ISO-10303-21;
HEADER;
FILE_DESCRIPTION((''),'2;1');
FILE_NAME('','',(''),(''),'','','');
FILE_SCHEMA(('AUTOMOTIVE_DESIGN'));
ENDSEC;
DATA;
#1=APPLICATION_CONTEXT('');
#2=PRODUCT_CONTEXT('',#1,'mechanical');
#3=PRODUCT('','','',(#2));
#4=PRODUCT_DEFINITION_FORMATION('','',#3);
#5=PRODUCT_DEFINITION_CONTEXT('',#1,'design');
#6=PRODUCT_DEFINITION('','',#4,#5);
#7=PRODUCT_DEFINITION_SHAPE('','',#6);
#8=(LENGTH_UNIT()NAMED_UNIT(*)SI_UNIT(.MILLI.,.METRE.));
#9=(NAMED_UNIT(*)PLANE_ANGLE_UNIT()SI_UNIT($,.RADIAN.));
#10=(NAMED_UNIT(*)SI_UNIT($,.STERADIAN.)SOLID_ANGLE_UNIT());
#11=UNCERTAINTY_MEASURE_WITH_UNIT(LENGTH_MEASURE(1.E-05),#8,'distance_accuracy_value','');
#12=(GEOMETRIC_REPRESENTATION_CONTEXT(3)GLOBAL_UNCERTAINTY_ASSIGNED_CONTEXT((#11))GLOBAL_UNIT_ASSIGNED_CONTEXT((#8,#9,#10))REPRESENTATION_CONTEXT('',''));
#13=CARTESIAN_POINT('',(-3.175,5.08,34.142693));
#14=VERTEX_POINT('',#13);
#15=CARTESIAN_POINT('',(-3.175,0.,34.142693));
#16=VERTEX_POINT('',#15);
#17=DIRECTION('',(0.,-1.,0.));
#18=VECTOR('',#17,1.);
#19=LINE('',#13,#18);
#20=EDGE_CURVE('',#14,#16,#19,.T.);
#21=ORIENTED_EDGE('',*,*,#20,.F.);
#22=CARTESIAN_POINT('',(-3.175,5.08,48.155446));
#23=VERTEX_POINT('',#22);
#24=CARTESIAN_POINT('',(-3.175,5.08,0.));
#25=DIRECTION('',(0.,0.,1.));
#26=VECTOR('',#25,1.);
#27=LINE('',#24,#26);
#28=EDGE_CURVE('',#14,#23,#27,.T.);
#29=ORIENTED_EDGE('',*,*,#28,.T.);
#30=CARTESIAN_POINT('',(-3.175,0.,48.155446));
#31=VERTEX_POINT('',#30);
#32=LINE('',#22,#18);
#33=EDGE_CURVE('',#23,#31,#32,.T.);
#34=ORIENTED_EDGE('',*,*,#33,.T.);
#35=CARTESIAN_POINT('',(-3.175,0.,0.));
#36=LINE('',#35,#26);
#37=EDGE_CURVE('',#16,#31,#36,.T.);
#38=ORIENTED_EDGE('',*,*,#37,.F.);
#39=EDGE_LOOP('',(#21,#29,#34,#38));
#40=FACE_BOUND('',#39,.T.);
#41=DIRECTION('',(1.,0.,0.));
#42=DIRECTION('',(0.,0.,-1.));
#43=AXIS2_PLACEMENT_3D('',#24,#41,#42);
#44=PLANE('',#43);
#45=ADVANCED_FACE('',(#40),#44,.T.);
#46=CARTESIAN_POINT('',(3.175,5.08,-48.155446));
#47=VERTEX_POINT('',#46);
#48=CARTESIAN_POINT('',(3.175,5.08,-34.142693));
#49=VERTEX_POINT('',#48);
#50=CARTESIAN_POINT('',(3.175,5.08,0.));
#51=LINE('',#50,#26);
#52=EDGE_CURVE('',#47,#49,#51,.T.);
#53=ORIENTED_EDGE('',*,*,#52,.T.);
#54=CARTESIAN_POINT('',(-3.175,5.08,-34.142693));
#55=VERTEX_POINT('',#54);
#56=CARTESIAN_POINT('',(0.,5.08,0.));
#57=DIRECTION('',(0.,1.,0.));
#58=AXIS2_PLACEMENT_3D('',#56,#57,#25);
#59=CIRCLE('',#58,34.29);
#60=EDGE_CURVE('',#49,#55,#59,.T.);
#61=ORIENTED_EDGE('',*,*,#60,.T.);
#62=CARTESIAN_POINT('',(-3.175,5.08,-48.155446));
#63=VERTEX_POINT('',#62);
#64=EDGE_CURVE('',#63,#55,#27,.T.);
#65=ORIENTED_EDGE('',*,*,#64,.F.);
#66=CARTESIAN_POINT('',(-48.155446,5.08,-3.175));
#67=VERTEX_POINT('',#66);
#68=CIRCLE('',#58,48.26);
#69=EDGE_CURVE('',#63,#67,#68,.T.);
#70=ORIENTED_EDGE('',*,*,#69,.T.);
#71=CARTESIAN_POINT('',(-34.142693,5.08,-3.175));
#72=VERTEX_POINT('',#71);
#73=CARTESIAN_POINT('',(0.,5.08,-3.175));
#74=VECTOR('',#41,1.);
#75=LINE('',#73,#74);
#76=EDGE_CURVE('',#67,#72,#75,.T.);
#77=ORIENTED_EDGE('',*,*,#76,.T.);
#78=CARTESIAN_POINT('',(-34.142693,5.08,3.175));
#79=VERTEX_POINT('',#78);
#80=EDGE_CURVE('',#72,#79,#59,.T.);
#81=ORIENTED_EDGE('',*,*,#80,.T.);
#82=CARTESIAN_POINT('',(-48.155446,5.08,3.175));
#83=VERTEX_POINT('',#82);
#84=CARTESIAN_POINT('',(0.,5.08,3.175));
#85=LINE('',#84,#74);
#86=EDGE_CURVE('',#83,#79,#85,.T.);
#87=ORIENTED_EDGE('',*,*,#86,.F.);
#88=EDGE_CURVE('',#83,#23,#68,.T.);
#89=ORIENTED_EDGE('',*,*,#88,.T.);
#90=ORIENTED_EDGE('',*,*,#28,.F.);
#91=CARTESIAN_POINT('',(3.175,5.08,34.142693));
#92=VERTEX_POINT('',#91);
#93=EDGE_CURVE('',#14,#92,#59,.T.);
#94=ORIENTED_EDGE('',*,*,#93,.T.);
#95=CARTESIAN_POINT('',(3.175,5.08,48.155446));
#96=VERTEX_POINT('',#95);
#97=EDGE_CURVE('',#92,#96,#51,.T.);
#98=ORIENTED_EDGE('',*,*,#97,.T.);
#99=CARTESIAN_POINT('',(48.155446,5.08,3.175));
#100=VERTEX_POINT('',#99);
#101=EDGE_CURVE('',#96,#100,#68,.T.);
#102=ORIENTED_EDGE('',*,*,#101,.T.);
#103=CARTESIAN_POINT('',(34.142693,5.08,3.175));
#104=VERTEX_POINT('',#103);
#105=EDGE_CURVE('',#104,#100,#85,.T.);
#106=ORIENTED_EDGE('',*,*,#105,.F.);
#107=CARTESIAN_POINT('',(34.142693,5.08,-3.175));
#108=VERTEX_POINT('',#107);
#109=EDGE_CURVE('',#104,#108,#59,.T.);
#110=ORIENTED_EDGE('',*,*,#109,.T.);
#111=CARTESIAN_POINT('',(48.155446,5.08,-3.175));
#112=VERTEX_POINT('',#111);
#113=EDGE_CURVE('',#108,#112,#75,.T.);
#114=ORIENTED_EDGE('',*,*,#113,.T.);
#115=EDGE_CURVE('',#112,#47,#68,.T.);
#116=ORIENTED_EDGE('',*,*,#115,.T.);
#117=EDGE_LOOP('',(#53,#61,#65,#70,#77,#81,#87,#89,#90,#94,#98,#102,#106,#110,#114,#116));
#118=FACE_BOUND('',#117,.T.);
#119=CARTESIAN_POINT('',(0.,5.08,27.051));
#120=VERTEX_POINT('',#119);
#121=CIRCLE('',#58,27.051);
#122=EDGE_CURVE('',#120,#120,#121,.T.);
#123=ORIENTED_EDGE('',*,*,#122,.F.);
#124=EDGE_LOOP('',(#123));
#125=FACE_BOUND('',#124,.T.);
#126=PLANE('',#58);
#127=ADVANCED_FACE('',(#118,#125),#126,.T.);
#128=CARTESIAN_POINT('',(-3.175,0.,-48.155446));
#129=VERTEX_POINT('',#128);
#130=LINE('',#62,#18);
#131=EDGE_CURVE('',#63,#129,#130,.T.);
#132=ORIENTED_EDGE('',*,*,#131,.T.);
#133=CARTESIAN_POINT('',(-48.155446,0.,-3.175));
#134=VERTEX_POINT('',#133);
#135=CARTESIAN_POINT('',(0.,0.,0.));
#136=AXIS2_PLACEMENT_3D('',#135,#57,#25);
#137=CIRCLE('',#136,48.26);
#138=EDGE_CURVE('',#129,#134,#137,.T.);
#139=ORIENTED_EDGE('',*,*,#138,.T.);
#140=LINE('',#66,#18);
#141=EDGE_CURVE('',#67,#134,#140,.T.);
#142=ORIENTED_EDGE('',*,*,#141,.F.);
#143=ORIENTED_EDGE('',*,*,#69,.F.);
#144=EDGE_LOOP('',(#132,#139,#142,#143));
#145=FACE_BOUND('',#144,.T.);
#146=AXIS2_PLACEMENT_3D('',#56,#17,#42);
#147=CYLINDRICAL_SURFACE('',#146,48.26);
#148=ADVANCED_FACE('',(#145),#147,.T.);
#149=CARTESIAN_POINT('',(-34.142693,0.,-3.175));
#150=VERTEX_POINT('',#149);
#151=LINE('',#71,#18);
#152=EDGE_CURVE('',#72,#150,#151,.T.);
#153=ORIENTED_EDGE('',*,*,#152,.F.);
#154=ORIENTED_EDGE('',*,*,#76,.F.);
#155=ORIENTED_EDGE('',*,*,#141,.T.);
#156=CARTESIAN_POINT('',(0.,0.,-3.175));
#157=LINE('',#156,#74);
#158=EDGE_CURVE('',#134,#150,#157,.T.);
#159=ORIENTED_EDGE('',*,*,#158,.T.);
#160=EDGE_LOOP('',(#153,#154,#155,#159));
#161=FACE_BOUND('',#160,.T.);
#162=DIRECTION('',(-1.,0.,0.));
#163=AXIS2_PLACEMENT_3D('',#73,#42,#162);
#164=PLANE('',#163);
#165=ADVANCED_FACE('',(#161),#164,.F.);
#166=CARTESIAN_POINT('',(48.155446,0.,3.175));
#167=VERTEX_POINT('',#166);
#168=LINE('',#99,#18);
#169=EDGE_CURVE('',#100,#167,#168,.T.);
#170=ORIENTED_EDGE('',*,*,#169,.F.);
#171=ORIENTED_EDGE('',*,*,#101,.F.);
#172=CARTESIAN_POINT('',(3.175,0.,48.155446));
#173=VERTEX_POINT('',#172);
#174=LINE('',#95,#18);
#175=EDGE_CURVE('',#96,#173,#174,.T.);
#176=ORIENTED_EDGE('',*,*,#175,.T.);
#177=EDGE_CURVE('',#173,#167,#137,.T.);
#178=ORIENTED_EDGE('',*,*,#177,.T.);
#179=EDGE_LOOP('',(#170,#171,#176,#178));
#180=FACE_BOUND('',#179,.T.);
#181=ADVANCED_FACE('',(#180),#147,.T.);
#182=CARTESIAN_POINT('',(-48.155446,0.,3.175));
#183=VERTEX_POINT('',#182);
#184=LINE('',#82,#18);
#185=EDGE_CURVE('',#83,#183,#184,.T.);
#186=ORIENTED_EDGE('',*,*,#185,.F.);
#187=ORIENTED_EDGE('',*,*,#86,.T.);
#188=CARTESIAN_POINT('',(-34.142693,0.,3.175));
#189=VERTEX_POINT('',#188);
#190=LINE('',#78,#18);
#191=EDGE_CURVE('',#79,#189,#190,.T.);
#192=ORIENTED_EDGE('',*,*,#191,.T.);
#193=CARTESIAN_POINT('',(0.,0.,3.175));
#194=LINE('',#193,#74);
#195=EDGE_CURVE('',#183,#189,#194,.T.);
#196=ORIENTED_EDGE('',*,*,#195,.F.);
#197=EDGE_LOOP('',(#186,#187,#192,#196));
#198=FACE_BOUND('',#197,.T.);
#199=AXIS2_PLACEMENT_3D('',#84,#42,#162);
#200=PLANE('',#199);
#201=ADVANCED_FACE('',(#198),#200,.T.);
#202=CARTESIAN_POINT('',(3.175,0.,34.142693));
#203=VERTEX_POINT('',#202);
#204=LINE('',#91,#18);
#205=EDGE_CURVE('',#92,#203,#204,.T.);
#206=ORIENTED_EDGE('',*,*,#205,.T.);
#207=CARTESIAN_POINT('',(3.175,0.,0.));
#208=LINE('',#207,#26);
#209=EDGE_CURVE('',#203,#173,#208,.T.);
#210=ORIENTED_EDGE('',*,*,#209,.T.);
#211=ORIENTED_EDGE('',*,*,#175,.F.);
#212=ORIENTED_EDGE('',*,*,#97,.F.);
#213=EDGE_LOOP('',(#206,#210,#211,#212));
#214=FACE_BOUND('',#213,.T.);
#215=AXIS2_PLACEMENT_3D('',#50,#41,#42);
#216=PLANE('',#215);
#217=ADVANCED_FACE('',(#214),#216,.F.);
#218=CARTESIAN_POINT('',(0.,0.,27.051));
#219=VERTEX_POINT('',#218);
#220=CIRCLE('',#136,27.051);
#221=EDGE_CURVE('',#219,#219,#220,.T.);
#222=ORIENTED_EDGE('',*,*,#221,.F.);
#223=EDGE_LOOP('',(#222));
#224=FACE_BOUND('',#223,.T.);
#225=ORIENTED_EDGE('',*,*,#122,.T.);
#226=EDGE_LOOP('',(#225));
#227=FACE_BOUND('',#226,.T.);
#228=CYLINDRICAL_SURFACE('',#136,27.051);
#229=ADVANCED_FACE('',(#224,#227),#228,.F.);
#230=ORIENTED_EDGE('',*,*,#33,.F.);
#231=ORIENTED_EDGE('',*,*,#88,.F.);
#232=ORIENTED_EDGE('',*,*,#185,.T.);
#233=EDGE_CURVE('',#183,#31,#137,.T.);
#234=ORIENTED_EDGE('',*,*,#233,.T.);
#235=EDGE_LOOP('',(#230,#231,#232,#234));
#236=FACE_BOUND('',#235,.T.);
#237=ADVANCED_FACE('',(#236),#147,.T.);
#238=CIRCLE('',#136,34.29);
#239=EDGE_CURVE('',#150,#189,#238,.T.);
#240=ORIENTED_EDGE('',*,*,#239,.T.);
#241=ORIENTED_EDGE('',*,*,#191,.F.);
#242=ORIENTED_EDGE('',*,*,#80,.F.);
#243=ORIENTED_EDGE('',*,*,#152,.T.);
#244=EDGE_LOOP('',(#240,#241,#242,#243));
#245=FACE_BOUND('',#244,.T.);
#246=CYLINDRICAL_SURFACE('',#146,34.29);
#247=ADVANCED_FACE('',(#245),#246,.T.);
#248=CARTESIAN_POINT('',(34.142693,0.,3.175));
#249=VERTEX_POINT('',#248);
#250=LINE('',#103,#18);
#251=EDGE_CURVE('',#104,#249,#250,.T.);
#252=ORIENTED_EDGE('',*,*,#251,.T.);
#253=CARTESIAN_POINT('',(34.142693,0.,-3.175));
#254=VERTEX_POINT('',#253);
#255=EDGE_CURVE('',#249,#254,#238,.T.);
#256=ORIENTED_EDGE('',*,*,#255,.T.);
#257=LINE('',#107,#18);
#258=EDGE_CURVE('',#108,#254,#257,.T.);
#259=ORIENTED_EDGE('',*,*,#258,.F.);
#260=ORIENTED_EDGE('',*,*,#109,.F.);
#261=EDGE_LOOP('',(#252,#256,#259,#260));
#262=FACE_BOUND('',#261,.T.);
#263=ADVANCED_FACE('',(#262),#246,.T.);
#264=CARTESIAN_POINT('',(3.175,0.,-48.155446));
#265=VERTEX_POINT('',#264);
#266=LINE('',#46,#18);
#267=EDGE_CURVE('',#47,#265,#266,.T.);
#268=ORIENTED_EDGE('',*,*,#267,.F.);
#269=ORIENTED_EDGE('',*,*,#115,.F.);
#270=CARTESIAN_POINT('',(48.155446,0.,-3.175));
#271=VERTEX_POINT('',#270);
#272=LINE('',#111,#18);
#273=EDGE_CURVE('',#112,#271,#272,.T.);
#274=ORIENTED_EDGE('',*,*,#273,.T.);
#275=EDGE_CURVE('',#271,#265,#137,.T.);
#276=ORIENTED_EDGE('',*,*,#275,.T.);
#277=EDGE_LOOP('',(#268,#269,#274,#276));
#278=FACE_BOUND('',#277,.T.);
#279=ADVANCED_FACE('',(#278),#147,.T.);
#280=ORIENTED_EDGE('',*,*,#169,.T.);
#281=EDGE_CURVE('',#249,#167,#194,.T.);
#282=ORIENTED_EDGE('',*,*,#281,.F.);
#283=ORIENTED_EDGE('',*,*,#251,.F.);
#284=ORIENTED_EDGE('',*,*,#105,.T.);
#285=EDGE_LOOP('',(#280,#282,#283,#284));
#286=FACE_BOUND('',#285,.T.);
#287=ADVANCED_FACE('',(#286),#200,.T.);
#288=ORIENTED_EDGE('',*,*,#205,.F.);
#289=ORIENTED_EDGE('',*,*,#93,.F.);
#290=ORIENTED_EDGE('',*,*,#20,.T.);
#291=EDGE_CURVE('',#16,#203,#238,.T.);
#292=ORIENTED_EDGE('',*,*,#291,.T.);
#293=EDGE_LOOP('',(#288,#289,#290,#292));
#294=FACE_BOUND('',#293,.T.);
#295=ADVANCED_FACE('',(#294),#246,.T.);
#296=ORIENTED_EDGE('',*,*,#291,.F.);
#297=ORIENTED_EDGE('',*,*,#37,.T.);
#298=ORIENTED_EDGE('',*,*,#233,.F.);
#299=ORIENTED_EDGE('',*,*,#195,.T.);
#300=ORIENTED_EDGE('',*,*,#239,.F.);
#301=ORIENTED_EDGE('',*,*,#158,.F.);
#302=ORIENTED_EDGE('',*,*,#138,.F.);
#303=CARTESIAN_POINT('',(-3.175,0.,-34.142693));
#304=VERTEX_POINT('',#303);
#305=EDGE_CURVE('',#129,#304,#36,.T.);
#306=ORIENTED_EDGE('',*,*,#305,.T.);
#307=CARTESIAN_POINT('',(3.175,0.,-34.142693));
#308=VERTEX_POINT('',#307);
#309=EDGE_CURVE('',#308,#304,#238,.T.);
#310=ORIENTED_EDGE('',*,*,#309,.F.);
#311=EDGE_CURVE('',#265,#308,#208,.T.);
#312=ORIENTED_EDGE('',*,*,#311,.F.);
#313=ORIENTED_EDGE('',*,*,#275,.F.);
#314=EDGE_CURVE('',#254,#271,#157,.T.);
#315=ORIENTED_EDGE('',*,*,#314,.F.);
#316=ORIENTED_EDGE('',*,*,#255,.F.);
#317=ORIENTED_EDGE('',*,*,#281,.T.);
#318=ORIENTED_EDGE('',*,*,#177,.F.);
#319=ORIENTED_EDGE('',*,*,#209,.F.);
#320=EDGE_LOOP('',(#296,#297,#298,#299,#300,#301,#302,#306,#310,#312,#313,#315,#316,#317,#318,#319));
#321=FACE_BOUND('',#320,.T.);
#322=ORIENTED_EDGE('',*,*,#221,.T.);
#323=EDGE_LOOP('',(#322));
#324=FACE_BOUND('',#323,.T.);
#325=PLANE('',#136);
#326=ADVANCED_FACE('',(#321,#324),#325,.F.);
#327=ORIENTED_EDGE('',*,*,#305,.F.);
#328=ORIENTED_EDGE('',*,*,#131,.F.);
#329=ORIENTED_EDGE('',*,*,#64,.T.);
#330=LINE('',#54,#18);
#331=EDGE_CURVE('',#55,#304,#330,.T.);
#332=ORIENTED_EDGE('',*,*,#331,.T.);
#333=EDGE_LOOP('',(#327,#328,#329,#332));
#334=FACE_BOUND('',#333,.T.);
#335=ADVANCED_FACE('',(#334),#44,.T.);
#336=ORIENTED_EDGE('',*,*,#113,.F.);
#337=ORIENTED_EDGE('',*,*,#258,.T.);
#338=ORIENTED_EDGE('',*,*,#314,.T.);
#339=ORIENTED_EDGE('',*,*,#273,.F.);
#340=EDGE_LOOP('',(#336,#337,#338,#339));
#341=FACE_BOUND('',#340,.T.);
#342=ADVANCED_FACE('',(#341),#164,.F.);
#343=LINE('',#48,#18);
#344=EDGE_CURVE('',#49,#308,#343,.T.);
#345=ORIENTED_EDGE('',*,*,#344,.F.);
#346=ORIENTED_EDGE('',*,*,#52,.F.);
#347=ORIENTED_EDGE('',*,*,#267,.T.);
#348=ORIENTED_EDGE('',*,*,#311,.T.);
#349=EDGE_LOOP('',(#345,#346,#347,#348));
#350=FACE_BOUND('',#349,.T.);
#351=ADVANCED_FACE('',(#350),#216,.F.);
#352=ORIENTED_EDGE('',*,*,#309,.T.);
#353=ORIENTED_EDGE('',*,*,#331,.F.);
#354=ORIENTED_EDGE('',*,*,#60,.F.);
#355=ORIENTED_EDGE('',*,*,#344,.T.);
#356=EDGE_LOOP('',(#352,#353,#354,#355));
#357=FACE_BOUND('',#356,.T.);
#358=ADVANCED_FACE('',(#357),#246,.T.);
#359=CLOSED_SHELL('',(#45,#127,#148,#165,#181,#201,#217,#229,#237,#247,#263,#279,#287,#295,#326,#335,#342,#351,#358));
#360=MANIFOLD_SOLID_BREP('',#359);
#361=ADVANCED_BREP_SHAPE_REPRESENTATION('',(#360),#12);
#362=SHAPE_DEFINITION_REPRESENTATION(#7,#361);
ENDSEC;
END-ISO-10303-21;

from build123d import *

# Parameters (mm, degrees)
BOSS_EXTRUDE1_DEPTH = 5.08
SKETCH2_R           = 27.051
CUT_EXTRUDE1_DEPTH  = 69.29129044


with BuildPart() as part:
    # Sketch1 → Boss-Extrude1 (new body)
    with BuildSketch(Plane(origin=(0, 0, 0), x_dir=(1, 0, 0), z_dir=(0, 1, 0))):
        with BuildLine():
            ThreePointArc((34.142692849, -3.175), (34.29, 0), (34.142692849, 3.175))
            Line((34.142692849, 3.175), (48.155445954, 3.175))
            ThreePointArc((48.155445954, 3.175), (34.12497326, 34.12497326), (3.175, 48.155445954))
            Line((3.175, 48.155445954), (3.175, 34.142692849))
            ThreePointArc((3.175, 34.142692849), (0, 34.29), (-3.175, 34.142692849))
            Line((-3.175, 34.142692849), (-3.175, 48.155445954))
            ThreePointArc((-3.175, 48.155445954), (-34.12497326, 34.12497326), (-48.155445954, 3.175))
            Line((-48.155445954, 3.175), (-34.142692849, 3.175))
            ThreePointArc((-34.142692849, 3.175), (-34.29, 0), (-34.142692849, -3.175))
            Line((-34.142692849, -3.175), (-48.155445954, -3.175))
            ThreePointArc((-48.155445954, -3.175), (-34.12497326, -34.12497326), (-3.175, -48.155445954))
            Line((-3.175, -48.155445954), (-3.175, -34.142692849))
            ThreePointArc((-3.175, -34.142692849), (0, -34.29), (3.175, -34.142692849))
            Line((3.175, -34.142692849), (3.175, -48.155445954))
            ThreePointArc((3.175, -48.155445954), (34.12497326, -34.12497326), (48.155445954, -3.175))
            Line((48.155445954, -3.175), (34.142692849, -3.175))
        make_face()
    extrude(amount=BOSS_EXTRUDE1_DEPTH)

    # Sketch2 → Cut-Extrude1 (cut, through all)
    with BuildSketch(Plane(origin=(0, 5.08, 0), x_dir=(1, 0, 0), z_dir=(0, 1, 0))):
        with Locations(Location((0, 0, 0), (0, 0, 270))):
            Circle(SKETCH2_R)
    extrude(amount=-CUT_EXTRUDE1_DEPTH, mode=Mode.SUBTRACT)


solid = part.part
